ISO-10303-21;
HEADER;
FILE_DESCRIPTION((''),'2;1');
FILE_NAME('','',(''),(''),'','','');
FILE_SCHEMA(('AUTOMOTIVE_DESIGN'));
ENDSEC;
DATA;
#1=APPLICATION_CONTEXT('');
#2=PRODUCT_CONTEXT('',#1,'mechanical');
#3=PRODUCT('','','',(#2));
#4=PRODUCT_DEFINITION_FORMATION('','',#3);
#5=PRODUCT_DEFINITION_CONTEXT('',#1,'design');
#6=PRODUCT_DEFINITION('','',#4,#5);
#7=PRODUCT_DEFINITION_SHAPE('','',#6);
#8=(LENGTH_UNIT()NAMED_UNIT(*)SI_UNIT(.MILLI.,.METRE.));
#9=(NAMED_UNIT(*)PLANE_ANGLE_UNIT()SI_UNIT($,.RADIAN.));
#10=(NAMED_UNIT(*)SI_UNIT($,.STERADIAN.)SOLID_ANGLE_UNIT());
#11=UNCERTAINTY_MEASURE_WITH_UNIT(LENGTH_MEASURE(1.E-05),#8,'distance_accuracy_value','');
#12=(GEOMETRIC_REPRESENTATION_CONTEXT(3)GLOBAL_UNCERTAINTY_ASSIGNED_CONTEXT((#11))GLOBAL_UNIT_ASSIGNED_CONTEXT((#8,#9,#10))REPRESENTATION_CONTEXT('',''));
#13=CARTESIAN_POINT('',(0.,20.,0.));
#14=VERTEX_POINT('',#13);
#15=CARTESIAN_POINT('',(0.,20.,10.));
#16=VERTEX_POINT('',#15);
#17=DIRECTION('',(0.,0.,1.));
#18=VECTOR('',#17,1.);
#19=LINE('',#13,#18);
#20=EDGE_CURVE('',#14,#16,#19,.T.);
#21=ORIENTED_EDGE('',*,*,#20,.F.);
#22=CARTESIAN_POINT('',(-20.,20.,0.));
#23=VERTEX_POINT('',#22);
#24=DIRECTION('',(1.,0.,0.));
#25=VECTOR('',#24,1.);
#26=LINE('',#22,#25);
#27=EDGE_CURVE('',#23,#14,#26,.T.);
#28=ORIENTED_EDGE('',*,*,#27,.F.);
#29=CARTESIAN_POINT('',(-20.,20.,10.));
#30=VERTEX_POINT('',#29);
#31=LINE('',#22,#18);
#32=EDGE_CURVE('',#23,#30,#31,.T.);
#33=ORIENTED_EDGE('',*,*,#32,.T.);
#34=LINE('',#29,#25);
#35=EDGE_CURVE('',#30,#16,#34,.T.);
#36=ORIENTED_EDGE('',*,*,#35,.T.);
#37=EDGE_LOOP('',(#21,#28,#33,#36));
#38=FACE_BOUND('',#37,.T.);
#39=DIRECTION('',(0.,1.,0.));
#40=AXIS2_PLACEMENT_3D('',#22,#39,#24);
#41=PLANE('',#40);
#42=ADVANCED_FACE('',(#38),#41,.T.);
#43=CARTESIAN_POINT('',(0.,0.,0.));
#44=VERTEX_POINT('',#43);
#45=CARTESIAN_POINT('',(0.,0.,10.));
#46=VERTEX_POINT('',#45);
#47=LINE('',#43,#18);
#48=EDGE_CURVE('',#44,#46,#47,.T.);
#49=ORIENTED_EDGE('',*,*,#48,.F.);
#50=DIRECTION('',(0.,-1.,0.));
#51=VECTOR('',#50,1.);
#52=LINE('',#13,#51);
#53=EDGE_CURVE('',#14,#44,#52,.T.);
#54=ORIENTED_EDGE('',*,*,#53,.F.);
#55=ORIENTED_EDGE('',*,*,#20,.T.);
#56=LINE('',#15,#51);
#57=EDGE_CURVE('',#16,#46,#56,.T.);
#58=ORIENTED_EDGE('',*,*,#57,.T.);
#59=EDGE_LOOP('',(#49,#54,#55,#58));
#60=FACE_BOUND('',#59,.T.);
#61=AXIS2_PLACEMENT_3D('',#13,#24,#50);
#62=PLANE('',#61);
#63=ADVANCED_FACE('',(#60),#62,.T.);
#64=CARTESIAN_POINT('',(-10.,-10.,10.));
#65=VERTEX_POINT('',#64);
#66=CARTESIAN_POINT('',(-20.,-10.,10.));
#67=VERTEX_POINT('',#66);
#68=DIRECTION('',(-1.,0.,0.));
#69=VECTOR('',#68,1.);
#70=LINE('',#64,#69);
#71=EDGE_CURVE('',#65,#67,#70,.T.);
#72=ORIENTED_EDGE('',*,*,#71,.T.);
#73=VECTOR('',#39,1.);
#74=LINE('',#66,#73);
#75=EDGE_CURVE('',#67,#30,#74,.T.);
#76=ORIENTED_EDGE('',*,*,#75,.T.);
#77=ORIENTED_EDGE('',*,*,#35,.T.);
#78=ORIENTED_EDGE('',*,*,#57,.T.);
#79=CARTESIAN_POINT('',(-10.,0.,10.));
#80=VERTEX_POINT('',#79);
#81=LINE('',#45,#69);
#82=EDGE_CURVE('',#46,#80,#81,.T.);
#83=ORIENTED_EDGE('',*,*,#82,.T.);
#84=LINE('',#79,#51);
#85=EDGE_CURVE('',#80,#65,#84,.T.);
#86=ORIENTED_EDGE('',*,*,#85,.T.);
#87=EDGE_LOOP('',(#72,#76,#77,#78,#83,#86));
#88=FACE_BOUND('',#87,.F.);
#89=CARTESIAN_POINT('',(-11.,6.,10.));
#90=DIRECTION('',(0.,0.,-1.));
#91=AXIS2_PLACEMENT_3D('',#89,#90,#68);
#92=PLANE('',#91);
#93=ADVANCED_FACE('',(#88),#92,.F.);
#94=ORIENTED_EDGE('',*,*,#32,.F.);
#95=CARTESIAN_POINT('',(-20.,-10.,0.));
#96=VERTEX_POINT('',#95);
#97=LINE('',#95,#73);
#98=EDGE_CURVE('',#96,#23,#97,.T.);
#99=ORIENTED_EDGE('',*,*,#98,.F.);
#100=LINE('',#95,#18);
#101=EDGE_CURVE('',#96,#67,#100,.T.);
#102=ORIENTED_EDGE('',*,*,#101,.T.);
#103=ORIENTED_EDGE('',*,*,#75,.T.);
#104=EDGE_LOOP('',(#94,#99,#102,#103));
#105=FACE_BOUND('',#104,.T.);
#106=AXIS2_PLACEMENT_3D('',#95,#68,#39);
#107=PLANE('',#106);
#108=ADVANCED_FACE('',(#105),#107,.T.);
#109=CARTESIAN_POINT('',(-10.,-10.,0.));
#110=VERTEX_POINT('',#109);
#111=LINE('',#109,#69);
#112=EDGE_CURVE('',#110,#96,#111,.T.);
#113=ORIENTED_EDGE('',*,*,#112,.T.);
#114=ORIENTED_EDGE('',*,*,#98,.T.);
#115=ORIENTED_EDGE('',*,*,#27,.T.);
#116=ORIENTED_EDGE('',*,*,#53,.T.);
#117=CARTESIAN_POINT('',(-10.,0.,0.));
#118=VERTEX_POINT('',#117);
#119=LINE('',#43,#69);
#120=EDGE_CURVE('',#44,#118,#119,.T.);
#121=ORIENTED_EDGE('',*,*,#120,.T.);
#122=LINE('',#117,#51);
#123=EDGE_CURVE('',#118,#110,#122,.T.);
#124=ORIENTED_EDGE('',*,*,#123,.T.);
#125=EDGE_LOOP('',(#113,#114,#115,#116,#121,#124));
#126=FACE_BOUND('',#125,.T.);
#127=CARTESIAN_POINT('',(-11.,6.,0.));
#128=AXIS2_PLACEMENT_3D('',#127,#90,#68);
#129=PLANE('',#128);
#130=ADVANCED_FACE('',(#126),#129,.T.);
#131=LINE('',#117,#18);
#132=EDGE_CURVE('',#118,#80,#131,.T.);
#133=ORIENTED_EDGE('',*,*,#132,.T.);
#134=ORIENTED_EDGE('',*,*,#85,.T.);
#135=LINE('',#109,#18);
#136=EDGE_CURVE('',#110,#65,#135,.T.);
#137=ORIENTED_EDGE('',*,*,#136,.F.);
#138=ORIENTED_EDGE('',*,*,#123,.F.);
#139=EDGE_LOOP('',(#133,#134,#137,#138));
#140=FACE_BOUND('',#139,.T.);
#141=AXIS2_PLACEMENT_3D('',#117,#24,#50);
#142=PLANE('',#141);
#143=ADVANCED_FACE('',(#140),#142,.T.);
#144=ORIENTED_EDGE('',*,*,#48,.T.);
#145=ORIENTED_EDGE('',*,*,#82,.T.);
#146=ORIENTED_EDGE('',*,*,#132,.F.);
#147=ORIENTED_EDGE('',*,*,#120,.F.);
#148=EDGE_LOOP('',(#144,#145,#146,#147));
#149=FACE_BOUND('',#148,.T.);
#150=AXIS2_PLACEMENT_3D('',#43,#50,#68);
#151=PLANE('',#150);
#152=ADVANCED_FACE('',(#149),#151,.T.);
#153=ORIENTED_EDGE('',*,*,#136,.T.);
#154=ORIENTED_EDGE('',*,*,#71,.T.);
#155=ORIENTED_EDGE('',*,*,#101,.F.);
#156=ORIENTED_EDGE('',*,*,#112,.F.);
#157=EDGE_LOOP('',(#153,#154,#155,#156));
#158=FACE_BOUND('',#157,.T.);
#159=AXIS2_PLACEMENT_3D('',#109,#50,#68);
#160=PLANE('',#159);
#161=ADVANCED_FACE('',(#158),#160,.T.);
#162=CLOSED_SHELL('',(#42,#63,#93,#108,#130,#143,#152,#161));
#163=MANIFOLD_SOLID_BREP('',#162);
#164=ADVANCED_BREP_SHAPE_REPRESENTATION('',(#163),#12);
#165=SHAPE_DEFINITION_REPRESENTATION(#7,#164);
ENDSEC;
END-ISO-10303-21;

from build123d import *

# Parameters (mm, degrees)
PAD_DEPTH = 10


with BuildPart() as part:
    # Sketch → Pad (new body)
    with BuildSketch(Plane.XY):
        Polygon((-20, -10), (-20, 20), (0, 20), (0, 0), (-10, 0), (-10, -10), align=None)
    extrude(amount=PAD_DEPTH)


solid = part.part
